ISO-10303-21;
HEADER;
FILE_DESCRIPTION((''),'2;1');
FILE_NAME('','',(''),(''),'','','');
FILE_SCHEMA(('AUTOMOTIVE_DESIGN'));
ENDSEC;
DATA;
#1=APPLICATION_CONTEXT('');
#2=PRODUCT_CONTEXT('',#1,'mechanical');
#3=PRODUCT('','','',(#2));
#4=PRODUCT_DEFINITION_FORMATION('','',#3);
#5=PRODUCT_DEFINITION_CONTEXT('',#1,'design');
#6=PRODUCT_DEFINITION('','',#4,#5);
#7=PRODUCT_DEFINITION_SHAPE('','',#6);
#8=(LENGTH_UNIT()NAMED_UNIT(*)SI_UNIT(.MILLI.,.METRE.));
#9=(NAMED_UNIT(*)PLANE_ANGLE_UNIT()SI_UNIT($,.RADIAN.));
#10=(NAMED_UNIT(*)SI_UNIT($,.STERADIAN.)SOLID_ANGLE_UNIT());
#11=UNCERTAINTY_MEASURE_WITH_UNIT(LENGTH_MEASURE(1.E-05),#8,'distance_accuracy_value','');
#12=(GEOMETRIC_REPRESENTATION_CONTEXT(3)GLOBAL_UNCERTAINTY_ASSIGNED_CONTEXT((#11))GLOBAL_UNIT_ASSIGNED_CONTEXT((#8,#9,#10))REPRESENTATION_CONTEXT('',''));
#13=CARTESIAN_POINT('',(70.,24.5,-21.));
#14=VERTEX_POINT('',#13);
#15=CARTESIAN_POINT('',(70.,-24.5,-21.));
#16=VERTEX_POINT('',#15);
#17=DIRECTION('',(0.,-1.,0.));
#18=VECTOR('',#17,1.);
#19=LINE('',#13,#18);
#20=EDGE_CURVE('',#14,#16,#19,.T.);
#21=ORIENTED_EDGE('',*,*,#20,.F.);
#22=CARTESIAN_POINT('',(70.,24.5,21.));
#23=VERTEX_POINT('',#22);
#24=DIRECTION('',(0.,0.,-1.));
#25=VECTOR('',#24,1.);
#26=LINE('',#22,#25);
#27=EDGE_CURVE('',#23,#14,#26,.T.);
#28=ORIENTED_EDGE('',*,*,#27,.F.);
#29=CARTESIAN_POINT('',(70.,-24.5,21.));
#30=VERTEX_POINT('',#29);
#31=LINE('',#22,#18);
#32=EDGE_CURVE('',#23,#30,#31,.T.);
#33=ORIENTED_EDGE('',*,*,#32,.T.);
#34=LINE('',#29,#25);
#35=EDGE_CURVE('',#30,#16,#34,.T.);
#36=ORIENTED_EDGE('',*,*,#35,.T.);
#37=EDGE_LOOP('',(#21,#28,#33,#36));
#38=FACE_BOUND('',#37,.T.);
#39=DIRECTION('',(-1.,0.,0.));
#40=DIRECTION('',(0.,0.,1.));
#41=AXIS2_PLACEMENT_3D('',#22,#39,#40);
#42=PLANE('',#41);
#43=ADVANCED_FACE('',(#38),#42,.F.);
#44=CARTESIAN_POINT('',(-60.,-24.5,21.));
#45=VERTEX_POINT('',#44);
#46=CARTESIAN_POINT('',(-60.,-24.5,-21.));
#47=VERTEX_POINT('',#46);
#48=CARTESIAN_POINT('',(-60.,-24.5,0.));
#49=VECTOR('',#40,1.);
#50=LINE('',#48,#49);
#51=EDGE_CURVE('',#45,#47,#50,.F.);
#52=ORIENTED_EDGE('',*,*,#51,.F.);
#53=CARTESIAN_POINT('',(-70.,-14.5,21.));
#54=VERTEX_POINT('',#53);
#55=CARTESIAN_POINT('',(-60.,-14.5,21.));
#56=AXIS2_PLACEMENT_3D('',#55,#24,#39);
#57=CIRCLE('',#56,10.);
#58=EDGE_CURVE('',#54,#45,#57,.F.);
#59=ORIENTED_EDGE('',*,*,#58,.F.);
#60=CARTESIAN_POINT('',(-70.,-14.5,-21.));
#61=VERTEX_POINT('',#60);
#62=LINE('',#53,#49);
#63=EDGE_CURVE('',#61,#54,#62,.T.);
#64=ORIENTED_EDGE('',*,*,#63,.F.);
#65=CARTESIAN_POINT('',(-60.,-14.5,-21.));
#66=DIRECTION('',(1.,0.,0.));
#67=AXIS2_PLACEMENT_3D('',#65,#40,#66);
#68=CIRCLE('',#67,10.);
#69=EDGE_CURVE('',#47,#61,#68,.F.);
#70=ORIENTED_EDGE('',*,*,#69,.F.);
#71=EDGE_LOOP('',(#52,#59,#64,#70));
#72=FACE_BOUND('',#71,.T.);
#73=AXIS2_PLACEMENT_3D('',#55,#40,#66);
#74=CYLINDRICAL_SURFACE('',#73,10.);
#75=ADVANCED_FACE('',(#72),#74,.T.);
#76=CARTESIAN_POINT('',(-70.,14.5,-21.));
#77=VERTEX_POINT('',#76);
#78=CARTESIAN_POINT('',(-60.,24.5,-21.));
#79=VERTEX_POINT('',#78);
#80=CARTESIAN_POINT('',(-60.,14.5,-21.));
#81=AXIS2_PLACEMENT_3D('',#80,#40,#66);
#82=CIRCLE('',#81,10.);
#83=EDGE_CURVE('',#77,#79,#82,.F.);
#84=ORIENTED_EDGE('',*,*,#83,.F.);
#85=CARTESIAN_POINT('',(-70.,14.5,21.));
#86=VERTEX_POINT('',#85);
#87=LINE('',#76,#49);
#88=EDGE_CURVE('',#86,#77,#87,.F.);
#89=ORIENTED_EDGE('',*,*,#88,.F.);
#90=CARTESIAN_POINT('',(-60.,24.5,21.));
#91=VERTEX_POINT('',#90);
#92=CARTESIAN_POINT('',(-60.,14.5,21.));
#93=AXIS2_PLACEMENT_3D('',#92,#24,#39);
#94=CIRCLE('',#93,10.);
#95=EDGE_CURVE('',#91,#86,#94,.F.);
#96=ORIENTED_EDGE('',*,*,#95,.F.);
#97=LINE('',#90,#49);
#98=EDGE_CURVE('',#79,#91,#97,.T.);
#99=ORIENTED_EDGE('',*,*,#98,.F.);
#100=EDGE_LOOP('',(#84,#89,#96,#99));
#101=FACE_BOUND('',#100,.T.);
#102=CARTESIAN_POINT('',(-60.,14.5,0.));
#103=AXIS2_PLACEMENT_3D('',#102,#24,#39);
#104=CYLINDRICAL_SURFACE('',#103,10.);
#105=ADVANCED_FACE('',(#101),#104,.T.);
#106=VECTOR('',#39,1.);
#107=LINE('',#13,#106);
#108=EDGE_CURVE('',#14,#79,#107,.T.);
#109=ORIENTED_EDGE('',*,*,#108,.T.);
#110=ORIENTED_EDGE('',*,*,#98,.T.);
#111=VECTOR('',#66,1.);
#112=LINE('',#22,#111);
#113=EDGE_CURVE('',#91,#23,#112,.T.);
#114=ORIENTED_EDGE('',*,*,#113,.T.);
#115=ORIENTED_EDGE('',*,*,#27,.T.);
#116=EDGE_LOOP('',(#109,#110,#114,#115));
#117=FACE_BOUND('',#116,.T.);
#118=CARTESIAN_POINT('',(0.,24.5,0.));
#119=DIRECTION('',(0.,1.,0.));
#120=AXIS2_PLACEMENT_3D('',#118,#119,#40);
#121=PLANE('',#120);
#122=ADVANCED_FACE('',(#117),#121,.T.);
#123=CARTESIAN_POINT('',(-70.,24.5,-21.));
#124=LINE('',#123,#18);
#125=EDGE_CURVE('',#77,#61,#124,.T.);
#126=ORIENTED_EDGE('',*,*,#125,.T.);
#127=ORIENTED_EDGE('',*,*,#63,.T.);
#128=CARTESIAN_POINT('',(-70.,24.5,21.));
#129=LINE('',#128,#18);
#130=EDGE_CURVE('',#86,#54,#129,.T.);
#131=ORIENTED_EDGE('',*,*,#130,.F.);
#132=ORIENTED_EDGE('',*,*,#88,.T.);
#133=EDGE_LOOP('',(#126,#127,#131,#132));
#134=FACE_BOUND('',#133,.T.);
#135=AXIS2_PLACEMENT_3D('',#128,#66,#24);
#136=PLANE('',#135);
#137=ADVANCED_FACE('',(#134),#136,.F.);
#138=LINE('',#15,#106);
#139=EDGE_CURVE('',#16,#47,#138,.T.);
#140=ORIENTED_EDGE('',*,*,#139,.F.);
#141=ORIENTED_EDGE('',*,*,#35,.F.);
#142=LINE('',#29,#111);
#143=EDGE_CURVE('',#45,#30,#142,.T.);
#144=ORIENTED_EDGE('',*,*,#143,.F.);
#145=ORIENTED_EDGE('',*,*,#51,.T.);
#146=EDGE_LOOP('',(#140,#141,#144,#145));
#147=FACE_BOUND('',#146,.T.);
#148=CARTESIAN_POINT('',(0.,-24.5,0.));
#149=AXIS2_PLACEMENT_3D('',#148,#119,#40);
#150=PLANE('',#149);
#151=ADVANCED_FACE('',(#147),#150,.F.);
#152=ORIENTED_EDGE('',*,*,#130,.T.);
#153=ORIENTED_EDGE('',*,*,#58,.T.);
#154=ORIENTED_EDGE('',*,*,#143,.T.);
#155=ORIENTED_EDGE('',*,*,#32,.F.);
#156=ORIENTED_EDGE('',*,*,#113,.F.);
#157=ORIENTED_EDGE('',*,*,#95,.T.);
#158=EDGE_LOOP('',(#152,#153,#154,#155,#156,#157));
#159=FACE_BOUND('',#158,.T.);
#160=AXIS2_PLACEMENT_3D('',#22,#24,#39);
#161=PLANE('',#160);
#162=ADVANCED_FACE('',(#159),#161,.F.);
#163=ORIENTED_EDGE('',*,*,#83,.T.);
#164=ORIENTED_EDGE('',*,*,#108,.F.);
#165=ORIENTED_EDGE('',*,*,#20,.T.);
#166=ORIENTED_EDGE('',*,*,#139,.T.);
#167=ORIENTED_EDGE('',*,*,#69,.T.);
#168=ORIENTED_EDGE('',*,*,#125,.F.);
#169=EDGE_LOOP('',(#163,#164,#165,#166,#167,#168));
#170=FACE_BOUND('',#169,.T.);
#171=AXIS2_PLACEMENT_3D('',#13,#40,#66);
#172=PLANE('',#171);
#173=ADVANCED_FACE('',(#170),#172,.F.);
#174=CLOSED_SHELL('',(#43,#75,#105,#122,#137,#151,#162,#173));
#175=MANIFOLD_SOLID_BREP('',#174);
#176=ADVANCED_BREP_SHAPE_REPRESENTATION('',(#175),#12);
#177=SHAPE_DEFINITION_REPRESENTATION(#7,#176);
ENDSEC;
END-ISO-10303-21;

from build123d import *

# Parameters (mm, degrees)
CROQUIS2_W              = 140
CROQUIS2_H              = 42
SALIENTE_EXTRUIR1_DEPTH = 24.5
REDONDEO1_R             = 10


with BuildPart() as part:
    # Croquis2 → Saliente-Extruir1 (new, symmetric)
    with BuildSketch(Plane(origin=(0, 0, 0), x_dir=(1, 0, 0), z_dir=(0, 1, 0))):
        Rectangle(CROQUIS2_W, CROQUIS2_H)
    extrude(amount=SALIENTE_EXTRUIR1_DEPTH, both=True)

    # Redondeo1
    redondeo1_edges = [part.edges().sort_by_distance(p)[0] for p in [
        (-70, 24.5, 0),
        (-70, -24.5, 0),
    ]]
    fillet(redondeo1_edges, radius=REDONDEO1_R)


solid = part.part
